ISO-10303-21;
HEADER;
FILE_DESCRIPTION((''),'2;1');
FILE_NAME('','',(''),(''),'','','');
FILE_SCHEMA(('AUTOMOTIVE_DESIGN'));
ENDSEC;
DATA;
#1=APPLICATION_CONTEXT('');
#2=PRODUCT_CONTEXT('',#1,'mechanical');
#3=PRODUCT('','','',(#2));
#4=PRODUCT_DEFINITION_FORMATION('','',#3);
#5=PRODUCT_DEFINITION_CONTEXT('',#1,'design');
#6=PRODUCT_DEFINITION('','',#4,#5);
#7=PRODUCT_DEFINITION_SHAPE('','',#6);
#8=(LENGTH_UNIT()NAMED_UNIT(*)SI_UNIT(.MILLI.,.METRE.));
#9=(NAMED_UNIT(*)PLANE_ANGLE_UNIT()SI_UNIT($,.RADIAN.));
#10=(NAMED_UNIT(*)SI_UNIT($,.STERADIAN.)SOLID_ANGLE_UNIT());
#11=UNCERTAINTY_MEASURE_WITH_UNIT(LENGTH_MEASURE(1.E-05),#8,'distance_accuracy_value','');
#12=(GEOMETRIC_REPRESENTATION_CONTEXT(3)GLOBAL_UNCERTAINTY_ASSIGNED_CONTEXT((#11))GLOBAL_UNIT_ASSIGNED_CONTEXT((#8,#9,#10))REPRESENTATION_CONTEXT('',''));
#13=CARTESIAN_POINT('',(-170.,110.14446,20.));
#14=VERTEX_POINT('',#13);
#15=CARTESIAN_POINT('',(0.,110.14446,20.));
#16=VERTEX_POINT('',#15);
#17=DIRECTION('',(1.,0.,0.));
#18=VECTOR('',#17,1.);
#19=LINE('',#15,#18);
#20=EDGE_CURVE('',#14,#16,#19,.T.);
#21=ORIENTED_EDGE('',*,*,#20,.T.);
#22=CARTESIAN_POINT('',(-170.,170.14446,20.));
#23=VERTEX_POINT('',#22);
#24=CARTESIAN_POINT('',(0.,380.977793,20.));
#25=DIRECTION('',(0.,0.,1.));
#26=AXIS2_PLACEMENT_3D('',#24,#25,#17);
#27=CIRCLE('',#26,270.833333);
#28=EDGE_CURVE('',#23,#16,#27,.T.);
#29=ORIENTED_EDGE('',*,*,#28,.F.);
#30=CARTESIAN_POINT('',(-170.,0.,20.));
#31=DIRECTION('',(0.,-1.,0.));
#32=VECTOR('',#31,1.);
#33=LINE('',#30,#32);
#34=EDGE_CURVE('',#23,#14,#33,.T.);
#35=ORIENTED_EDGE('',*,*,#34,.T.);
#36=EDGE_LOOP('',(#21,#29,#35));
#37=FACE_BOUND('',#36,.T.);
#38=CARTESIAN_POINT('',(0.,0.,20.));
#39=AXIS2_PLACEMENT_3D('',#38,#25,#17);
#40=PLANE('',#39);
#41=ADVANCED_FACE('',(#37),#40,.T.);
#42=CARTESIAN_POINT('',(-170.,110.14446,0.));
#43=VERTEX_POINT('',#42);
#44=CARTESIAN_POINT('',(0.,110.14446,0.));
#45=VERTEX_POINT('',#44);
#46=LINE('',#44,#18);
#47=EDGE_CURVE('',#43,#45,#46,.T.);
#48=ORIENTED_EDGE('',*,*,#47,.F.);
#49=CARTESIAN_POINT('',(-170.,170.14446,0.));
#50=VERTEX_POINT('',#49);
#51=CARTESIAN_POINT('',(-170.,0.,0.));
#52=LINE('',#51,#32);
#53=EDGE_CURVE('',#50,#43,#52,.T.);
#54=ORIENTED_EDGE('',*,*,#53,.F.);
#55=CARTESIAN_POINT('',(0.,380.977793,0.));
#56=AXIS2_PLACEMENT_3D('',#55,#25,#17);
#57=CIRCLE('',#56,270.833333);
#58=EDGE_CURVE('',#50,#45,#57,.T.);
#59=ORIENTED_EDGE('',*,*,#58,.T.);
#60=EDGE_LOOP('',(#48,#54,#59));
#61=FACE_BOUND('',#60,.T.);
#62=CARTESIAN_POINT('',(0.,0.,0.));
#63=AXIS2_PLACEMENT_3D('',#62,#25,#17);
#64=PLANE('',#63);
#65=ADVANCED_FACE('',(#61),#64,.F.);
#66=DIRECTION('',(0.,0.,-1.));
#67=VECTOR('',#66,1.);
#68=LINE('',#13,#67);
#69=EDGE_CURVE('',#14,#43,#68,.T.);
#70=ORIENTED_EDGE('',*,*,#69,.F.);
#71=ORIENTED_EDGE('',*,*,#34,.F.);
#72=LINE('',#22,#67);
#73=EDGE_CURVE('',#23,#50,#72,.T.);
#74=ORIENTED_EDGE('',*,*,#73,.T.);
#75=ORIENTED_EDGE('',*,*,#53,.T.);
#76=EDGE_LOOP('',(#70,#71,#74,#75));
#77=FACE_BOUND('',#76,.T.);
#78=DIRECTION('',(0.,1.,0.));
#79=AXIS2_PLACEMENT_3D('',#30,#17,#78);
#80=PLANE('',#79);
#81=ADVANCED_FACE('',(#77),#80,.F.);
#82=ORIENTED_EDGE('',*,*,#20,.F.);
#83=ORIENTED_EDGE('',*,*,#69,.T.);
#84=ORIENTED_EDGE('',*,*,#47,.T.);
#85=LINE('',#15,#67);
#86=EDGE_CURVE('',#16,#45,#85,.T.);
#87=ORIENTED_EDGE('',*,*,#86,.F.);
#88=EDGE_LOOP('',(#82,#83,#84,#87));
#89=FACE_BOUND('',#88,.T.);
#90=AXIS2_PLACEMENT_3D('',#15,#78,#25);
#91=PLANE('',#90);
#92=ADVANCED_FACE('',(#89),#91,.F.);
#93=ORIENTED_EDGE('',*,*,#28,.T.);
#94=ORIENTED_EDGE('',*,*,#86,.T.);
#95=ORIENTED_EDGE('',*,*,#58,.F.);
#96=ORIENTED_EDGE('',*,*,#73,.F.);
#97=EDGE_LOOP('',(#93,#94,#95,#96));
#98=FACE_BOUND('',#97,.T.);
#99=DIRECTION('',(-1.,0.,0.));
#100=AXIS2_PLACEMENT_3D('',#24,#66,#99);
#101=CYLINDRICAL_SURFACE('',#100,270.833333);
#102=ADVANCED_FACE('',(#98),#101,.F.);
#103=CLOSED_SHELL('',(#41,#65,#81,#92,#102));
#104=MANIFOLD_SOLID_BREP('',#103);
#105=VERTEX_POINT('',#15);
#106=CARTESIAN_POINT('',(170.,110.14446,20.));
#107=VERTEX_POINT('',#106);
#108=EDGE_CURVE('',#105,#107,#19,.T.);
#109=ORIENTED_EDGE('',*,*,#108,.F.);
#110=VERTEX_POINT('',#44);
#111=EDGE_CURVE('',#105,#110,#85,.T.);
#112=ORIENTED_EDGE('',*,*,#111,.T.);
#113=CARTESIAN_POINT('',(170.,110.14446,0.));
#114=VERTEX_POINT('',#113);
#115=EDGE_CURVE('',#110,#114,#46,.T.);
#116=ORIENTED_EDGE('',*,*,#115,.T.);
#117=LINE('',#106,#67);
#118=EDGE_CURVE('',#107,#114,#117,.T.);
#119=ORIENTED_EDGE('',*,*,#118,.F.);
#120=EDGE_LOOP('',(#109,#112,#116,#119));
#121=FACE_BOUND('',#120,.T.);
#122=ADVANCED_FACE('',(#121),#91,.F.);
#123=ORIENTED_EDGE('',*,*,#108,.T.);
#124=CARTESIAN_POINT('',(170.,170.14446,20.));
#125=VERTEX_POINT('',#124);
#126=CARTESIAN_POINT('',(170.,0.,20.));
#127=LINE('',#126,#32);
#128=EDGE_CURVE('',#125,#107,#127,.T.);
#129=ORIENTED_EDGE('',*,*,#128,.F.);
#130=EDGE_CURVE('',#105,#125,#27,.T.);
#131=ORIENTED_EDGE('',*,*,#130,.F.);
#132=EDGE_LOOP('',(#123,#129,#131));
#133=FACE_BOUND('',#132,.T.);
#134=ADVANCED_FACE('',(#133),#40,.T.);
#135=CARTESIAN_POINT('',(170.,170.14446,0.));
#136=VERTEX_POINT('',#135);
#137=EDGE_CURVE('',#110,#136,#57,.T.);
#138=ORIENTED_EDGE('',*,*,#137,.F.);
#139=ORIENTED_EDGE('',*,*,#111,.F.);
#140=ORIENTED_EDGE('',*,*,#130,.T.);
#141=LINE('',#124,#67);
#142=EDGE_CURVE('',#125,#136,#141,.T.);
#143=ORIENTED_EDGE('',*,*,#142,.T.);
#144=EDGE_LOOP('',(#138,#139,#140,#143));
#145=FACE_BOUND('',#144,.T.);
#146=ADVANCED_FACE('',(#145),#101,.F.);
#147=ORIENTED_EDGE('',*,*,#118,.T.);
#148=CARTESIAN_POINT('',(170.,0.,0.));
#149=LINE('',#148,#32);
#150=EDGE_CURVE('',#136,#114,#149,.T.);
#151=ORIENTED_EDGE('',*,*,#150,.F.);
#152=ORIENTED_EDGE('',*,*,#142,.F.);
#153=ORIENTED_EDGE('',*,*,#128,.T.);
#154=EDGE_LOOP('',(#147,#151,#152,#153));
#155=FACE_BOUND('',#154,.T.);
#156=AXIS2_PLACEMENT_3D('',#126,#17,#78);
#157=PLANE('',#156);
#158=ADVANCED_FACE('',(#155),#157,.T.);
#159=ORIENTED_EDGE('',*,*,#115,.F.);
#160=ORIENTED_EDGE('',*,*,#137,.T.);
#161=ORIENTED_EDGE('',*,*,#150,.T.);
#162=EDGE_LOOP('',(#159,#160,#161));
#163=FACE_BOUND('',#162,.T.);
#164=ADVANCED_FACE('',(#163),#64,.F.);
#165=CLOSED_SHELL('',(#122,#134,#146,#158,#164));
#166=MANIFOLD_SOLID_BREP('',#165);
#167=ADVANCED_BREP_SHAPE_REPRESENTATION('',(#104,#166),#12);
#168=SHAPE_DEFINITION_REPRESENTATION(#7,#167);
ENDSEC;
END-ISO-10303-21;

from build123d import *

# Parameters (mm, degrees)
BOSS_EXTRUDE1_DEPTH   = 20
BOSS_EXTRUDE1_2_DEPTH = 20


with BuildPart() as part:
    # Sketch1 → Boss-Extrude1 (new body)
    with BuildSketch(Plane.XY):
        with BuildLine():
            ThreePointArc((5.88e-07, 110.144459885), (-90.138781609, 125.584577775), (-170, 170.144459885))
            Line((-170, 170.144459885), (-170, 110.144459885))
            Line((-170, 110.144459885), (5.88e-07, 110.144459885))
        make_face()
    extrude(amount=BOSS_EXTRUDE1_DEPTH)


with BuildPart() as body_2:
    # Sketch1 → Boss-Extrude1 2 (new body)
    with BuildSketch(Plane.XY):
        with BuildLine():
            ThreePointArc((170, 170.144459885), (90.138782164, 125.584577971), (5.88e-07, 110.144459885))
            Line((5.88e-07, 110.144459885), (170, 110.144459885))
            Line((170, 110.144459885), (170, 170.144459885))
        make_face()
    extrude(amount=BOSS_EXTRUDE1_2_DEPTH)


solid = Compound([part.part, body_2.part])
